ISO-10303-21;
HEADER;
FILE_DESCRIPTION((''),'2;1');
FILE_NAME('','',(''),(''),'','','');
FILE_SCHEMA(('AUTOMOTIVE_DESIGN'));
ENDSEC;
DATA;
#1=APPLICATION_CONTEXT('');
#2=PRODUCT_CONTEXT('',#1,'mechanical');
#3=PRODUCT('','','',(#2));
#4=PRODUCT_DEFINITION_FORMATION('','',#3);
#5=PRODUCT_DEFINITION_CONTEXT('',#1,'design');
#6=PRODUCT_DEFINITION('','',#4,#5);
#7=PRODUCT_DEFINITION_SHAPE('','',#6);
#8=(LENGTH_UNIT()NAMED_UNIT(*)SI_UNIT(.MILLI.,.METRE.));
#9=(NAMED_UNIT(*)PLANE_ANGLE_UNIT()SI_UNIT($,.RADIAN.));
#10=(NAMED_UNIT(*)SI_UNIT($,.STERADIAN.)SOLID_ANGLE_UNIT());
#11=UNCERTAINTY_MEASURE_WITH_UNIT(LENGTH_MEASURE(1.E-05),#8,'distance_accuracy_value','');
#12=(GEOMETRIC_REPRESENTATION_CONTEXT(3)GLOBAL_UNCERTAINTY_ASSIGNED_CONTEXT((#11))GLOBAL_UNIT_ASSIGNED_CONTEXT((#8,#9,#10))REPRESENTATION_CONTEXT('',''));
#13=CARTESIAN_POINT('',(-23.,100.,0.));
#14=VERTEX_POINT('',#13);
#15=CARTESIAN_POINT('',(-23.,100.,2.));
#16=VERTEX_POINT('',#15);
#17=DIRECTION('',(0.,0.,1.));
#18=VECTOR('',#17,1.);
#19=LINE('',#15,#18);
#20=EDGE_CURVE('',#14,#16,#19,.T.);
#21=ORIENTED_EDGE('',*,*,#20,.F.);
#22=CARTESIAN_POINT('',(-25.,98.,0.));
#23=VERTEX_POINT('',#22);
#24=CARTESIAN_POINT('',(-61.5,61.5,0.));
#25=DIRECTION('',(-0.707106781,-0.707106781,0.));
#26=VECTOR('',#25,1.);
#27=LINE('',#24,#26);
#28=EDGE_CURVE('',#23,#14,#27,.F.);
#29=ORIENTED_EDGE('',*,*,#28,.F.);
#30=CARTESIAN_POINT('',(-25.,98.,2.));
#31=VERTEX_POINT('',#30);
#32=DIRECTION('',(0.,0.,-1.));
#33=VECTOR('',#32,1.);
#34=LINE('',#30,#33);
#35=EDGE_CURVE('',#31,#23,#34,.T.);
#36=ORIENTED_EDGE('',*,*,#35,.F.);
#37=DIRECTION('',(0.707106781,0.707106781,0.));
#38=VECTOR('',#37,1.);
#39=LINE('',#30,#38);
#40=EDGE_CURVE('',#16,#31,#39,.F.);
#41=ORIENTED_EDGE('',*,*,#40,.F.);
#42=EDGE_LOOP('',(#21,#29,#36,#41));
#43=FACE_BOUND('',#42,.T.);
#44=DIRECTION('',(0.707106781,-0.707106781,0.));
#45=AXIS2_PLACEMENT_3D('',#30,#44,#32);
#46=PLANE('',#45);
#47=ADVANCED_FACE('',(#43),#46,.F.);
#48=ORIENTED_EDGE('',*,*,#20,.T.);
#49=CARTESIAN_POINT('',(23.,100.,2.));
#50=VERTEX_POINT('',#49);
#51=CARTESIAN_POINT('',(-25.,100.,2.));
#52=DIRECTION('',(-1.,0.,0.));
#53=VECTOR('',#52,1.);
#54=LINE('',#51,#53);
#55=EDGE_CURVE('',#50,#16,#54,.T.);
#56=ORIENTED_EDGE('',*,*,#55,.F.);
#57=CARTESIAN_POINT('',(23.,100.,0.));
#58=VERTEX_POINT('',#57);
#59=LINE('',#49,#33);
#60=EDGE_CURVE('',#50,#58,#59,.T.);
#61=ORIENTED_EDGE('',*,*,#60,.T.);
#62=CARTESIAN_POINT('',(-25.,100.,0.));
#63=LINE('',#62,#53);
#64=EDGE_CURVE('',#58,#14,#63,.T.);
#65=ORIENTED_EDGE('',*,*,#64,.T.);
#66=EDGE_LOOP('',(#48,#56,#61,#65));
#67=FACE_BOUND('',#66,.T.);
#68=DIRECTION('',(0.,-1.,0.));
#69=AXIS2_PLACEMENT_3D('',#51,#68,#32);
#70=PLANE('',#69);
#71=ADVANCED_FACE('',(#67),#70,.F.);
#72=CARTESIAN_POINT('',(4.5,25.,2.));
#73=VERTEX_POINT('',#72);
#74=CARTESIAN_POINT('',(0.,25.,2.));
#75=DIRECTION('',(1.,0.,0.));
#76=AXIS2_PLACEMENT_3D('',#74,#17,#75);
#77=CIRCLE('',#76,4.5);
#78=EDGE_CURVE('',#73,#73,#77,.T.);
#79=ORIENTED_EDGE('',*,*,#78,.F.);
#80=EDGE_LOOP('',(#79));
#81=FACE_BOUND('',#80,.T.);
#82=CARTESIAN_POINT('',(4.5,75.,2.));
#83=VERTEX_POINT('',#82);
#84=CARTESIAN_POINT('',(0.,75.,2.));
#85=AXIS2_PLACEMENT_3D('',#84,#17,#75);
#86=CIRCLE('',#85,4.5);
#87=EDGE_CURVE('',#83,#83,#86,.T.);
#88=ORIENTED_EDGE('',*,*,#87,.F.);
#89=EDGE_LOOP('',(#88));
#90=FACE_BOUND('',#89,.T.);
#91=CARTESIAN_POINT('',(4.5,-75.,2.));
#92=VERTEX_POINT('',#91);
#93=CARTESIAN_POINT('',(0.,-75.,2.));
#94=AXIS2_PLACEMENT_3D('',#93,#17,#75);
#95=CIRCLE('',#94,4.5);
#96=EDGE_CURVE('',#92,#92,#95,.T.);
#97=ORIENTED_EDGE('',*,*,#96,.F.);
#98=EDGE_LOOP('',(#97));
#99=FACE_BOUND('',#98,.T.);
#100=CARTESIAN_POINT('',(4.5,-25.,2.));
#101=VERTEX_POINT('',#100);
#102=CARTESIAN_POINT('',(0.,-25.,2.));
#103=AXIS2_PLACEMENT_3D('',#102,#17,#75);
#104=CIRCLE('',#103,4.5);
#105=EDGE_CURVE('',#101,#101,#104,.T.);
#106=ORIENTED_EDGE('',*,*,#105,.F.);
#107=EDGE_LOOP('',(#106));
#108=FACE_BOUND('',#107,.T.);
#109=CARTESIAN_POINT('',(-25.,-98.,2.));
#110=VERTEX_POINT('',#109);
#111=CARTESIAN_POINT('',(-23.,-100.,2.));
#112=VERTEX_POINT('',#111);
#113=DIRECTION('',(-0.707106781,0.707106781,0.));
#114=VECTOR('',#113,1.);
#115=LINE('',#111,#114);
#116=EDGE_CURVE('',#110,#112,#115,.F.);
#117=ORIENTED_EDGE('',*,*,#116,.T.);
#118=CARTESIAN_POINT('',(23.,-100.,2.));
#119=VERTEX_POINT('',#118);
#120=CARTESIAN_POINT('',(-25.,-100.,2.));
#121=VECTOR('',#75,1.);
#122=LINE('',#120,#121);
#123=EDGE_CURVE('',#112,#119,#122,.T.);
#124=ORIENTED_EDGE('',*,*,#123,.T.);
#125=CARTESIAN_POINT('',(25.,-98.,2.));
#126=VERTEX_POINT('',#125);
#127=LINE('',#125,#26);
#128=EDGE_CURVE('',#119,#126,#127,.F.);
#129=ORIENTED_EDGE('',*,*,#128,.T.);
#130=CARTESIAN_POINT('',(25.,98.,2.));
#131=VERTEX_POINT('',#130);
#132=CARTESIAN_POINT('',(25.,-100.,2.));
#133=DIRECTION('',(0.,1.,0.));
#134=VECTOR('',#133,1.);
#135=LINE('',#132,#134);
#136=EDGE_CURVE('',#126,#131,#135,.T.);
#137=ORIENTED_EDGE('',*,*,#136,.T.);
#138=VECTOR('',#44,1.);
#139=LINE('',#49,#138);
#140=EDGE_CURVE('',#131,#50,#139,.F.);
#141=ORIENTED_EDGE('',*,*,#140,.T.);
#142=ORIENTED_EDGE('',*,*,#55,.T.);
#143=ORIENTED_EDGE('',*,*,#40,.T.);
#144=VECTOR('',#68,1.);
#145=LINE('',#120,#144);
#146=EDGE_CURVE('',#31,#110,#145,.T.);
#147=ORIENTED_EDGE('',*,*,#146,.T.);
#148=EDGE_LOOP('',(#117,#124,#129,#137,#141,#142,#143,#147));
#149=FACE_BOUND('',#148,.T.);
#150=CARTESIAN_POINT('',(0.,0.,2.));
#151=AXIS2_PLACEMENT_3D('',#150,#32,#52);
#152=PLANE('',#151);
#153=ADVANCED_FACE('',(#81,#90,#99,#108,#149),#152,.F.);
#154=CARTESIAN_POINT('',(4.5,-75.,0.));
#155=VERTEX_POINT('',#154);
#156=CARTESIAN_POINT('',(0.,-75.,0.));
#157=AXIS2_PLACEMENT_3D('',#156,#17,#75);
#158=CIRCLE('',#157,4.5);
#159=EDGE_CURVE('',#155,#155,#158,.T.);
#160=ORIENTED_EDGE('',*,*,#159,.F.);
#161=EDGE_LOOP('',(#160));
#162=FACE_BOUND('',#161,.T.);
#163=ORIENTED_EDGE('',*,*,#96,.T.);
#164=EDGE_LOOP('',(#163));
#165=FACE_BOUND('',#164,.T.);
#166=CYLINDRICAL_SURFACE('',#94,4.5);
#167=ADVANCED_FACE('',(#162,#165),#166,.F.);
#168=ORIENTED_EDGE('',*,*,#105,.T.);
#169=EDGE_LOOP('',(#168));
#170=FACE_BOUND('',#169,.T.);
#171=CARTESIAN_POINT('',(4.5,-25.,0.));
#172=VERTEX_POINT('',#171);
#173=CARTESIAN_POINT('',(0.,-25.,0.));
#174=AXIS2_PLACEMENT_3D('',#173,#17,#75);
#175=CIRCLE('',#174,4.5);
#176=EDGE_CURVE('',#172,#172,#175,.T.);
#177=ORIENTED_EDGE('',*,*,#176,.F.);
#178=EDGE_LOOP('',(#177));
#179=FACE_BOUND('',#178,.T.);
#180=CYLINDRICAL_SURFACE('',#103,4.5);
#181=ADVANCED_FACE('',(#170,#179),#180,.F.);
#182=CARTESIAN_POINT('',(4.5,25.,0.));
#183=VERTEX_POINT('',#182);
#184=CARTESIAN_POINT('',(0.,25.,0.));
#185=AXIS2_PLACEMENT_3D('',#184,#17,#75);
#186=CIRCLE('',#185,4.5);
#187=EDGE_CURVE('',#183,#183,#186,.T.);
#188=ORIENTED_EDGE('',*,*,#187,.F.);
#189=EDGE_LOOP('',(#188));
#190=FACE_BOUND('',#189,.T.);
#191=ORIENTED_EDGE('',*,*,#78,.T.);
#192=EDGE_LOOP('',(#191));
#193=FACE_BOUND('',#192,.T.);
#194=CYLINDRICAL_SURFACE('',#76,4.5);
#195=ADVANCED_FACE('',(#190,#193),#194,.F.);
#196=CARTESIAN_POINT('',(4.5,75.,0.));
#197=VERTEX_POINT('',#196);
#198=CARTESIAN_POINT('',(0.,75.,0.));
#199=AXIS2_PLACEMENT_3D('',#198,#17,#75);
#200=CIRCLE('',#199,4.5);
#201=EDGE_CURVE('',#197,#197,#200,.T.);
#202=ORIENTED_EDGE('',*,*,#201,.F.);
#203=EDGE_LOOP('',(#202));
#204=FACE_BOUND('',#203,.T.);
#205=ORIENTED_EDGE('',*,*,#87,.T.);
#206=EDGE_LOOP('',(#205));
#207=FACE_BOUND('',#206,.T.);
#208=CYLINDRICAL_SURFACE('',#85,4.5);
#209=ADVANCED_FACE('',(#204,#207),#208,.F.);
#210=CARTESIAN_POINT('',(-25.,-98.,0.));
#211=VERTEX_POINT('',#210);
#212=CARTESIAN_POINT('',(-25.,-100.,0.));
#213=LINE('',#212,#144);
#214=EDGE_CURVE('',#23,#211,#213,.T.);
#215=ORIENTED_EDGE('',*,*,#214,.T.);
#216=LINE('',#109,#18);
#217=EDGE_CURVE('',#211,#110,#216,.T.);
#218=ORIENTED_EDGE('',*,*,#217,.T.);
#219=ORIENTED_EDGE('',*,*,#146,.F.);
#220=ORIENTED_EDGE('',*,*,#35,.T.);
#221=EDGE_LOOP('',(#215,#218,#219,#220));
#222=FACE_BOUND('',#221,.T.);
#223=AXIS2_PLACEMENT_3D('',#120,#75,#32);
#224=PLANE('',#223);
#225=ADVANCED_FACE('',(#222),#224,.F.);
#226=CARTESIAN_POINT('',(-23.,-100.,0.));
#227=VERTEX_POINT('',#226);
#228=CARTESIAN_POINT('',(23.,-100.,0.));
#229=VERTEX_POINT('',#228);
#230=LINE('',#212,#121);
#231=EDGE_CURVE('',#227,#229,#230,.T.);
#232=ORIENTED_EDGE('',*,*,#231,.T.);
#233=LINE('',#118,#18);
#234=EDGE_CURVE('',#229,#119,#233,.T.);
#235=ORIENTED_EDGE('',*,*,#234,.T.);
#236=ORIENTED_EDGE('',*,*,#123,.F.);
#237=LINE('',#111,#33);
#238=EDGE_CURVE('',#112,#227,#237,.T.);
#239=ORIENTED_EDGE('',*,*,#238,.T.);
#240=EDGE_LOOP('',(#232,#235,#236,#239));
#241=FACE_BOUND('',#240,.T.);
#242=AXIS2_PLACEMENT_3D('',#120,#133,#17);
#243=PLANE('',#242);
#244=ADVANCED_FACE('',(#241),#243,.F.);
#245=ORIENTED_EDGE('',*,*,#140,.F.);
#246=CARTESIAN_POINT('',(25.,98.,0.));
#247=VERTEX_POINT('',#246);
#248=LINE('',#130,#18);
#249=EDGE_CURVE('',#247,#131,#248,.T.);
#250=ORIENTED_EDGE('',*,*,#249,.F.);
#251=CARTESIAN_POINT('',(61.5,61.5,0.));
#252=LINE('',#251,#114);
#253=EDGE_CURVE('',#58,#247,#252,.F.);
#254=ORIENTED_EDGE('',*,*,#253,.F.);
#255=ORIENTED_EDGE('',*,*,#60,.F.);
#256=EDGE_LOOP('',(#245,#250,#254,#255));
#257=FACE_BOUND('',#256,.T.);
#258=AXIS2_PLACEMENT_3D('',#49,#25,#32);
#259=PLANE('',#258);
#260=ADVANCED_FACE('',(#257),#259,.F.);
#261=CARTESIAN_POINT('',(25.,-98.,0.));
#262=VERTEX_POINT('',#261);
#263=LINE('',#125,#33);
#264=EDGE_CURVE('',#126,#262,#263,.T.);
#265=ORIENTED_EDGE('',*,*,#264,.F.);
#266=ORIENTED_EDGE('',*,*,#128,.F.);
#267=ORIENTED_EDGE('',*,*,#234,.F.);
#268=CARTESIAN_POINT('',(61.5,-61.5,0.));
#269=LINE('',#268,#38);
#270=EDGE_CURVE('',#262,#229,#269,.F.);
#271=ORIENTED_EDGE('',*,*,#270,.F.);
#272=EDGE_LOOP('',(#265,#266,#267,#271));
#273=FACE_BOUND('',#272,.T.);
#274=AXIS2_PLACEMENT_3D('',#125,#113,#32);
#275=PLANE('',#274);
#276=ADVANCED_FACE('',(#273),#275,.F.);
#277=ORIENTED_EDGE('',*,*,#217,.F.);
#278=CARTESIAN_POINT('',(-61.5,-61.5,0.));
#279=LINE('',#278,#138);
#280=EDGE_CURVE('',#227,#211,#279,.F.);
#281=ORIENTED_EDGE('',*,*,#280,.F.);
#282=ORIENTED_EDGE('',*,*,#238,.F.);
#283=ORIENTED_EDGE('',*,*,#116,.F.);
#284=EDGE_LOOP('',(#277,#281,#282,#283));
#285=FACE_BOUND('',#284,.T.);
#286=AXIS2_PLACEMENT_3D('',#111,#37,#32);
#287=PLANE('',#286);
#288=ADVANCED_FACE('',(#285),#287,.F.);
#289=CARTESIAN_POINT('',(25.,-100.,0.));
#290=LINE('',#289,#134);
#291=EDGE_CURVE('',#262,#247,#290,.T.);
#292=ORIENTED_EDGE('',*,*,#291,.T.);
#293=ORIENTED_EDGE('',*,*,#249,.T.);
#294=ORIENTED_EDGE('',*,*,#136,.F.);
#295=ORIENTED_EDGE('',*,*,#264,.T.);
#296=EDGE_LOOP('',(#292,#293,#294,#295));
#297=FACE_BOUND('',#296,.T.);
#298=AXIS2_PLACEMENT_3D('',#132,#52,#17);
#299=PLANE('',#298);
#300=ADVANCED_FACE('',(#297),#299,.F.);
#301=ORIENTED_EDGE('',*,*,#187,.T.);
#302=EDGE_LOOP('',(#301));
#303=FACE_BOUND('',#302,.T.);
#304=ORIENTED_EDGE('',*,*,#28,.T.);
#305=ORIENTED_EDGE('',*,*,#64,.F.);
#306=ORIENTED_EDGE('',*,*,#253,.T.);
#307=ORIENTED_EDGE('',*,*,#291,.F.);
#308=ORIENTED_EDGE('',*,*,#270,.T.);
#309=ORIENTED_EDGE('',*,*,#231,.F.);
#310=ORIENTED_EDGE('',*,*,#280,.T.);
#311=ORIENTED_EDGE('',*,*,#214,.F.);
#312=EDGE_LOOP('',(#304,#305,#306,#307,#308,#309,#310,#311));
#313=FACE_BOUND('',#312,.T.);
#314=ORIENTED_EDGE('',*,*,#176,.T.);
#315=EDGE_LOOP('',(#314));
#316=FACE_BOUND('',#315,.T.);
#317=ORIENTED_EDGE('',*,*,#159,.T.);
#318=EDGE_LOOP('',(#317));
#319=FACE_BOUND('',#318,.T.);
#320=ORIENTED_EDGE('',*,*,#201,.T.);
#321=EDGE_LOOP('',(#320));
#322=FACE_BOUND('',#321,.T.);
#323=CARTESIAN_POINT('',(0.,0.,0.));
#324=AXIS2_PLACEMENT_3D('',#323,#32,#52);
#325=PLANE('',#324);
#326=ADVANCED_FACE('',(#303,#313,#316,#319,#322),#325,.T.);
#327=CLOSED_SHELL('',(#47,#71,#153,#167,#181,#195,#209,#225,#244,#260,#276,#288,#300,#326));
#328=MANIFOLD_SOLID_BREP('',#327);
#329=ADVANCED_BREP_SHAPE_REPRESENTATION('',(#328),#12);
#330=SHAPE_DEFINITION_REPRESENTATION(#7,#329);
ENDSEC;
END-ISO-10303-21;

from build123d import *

# Parameters (mm, degrees)
SKETCH_1_W        = 50
SKETCH_1_H        = 200
EXTRUDE_1_DEPTH   = 2
CHAMFER_1_SIZE    = 2
HOLE_WIZARD_M81_D = 9


with BuildPart() as part:
    # Эскиз1 → Бобышка-Вытянуть1 (new body)
    with BuildSketch(Plane.XY):
        Rectangle(SKETCH_1_W, SKETCH_1_H)
    extrude(amount=EXTRUDE_1_DEPTH)

    # Фаска1
    chamfer_1_edges = [part.edges().sort_by_distance(p)[0] for p in [
        (25, -100, 1),
        (-25, -100, 1),
        (-25, 100, 1),
        (25, 100, 1),
    ]]
    chamfer(chamfer_1_edges, length=CHAMFER_1_SIZE)

    # Отверстие с зазором M81 (through all)
    with Locations(Plane.XY.offset(2)):
        with Locations((0, 75), (0, 25), (0, -25), (0, -75)):
            Hole(HOLE_WIZARD_M81_D / 2)


solid = part.part
